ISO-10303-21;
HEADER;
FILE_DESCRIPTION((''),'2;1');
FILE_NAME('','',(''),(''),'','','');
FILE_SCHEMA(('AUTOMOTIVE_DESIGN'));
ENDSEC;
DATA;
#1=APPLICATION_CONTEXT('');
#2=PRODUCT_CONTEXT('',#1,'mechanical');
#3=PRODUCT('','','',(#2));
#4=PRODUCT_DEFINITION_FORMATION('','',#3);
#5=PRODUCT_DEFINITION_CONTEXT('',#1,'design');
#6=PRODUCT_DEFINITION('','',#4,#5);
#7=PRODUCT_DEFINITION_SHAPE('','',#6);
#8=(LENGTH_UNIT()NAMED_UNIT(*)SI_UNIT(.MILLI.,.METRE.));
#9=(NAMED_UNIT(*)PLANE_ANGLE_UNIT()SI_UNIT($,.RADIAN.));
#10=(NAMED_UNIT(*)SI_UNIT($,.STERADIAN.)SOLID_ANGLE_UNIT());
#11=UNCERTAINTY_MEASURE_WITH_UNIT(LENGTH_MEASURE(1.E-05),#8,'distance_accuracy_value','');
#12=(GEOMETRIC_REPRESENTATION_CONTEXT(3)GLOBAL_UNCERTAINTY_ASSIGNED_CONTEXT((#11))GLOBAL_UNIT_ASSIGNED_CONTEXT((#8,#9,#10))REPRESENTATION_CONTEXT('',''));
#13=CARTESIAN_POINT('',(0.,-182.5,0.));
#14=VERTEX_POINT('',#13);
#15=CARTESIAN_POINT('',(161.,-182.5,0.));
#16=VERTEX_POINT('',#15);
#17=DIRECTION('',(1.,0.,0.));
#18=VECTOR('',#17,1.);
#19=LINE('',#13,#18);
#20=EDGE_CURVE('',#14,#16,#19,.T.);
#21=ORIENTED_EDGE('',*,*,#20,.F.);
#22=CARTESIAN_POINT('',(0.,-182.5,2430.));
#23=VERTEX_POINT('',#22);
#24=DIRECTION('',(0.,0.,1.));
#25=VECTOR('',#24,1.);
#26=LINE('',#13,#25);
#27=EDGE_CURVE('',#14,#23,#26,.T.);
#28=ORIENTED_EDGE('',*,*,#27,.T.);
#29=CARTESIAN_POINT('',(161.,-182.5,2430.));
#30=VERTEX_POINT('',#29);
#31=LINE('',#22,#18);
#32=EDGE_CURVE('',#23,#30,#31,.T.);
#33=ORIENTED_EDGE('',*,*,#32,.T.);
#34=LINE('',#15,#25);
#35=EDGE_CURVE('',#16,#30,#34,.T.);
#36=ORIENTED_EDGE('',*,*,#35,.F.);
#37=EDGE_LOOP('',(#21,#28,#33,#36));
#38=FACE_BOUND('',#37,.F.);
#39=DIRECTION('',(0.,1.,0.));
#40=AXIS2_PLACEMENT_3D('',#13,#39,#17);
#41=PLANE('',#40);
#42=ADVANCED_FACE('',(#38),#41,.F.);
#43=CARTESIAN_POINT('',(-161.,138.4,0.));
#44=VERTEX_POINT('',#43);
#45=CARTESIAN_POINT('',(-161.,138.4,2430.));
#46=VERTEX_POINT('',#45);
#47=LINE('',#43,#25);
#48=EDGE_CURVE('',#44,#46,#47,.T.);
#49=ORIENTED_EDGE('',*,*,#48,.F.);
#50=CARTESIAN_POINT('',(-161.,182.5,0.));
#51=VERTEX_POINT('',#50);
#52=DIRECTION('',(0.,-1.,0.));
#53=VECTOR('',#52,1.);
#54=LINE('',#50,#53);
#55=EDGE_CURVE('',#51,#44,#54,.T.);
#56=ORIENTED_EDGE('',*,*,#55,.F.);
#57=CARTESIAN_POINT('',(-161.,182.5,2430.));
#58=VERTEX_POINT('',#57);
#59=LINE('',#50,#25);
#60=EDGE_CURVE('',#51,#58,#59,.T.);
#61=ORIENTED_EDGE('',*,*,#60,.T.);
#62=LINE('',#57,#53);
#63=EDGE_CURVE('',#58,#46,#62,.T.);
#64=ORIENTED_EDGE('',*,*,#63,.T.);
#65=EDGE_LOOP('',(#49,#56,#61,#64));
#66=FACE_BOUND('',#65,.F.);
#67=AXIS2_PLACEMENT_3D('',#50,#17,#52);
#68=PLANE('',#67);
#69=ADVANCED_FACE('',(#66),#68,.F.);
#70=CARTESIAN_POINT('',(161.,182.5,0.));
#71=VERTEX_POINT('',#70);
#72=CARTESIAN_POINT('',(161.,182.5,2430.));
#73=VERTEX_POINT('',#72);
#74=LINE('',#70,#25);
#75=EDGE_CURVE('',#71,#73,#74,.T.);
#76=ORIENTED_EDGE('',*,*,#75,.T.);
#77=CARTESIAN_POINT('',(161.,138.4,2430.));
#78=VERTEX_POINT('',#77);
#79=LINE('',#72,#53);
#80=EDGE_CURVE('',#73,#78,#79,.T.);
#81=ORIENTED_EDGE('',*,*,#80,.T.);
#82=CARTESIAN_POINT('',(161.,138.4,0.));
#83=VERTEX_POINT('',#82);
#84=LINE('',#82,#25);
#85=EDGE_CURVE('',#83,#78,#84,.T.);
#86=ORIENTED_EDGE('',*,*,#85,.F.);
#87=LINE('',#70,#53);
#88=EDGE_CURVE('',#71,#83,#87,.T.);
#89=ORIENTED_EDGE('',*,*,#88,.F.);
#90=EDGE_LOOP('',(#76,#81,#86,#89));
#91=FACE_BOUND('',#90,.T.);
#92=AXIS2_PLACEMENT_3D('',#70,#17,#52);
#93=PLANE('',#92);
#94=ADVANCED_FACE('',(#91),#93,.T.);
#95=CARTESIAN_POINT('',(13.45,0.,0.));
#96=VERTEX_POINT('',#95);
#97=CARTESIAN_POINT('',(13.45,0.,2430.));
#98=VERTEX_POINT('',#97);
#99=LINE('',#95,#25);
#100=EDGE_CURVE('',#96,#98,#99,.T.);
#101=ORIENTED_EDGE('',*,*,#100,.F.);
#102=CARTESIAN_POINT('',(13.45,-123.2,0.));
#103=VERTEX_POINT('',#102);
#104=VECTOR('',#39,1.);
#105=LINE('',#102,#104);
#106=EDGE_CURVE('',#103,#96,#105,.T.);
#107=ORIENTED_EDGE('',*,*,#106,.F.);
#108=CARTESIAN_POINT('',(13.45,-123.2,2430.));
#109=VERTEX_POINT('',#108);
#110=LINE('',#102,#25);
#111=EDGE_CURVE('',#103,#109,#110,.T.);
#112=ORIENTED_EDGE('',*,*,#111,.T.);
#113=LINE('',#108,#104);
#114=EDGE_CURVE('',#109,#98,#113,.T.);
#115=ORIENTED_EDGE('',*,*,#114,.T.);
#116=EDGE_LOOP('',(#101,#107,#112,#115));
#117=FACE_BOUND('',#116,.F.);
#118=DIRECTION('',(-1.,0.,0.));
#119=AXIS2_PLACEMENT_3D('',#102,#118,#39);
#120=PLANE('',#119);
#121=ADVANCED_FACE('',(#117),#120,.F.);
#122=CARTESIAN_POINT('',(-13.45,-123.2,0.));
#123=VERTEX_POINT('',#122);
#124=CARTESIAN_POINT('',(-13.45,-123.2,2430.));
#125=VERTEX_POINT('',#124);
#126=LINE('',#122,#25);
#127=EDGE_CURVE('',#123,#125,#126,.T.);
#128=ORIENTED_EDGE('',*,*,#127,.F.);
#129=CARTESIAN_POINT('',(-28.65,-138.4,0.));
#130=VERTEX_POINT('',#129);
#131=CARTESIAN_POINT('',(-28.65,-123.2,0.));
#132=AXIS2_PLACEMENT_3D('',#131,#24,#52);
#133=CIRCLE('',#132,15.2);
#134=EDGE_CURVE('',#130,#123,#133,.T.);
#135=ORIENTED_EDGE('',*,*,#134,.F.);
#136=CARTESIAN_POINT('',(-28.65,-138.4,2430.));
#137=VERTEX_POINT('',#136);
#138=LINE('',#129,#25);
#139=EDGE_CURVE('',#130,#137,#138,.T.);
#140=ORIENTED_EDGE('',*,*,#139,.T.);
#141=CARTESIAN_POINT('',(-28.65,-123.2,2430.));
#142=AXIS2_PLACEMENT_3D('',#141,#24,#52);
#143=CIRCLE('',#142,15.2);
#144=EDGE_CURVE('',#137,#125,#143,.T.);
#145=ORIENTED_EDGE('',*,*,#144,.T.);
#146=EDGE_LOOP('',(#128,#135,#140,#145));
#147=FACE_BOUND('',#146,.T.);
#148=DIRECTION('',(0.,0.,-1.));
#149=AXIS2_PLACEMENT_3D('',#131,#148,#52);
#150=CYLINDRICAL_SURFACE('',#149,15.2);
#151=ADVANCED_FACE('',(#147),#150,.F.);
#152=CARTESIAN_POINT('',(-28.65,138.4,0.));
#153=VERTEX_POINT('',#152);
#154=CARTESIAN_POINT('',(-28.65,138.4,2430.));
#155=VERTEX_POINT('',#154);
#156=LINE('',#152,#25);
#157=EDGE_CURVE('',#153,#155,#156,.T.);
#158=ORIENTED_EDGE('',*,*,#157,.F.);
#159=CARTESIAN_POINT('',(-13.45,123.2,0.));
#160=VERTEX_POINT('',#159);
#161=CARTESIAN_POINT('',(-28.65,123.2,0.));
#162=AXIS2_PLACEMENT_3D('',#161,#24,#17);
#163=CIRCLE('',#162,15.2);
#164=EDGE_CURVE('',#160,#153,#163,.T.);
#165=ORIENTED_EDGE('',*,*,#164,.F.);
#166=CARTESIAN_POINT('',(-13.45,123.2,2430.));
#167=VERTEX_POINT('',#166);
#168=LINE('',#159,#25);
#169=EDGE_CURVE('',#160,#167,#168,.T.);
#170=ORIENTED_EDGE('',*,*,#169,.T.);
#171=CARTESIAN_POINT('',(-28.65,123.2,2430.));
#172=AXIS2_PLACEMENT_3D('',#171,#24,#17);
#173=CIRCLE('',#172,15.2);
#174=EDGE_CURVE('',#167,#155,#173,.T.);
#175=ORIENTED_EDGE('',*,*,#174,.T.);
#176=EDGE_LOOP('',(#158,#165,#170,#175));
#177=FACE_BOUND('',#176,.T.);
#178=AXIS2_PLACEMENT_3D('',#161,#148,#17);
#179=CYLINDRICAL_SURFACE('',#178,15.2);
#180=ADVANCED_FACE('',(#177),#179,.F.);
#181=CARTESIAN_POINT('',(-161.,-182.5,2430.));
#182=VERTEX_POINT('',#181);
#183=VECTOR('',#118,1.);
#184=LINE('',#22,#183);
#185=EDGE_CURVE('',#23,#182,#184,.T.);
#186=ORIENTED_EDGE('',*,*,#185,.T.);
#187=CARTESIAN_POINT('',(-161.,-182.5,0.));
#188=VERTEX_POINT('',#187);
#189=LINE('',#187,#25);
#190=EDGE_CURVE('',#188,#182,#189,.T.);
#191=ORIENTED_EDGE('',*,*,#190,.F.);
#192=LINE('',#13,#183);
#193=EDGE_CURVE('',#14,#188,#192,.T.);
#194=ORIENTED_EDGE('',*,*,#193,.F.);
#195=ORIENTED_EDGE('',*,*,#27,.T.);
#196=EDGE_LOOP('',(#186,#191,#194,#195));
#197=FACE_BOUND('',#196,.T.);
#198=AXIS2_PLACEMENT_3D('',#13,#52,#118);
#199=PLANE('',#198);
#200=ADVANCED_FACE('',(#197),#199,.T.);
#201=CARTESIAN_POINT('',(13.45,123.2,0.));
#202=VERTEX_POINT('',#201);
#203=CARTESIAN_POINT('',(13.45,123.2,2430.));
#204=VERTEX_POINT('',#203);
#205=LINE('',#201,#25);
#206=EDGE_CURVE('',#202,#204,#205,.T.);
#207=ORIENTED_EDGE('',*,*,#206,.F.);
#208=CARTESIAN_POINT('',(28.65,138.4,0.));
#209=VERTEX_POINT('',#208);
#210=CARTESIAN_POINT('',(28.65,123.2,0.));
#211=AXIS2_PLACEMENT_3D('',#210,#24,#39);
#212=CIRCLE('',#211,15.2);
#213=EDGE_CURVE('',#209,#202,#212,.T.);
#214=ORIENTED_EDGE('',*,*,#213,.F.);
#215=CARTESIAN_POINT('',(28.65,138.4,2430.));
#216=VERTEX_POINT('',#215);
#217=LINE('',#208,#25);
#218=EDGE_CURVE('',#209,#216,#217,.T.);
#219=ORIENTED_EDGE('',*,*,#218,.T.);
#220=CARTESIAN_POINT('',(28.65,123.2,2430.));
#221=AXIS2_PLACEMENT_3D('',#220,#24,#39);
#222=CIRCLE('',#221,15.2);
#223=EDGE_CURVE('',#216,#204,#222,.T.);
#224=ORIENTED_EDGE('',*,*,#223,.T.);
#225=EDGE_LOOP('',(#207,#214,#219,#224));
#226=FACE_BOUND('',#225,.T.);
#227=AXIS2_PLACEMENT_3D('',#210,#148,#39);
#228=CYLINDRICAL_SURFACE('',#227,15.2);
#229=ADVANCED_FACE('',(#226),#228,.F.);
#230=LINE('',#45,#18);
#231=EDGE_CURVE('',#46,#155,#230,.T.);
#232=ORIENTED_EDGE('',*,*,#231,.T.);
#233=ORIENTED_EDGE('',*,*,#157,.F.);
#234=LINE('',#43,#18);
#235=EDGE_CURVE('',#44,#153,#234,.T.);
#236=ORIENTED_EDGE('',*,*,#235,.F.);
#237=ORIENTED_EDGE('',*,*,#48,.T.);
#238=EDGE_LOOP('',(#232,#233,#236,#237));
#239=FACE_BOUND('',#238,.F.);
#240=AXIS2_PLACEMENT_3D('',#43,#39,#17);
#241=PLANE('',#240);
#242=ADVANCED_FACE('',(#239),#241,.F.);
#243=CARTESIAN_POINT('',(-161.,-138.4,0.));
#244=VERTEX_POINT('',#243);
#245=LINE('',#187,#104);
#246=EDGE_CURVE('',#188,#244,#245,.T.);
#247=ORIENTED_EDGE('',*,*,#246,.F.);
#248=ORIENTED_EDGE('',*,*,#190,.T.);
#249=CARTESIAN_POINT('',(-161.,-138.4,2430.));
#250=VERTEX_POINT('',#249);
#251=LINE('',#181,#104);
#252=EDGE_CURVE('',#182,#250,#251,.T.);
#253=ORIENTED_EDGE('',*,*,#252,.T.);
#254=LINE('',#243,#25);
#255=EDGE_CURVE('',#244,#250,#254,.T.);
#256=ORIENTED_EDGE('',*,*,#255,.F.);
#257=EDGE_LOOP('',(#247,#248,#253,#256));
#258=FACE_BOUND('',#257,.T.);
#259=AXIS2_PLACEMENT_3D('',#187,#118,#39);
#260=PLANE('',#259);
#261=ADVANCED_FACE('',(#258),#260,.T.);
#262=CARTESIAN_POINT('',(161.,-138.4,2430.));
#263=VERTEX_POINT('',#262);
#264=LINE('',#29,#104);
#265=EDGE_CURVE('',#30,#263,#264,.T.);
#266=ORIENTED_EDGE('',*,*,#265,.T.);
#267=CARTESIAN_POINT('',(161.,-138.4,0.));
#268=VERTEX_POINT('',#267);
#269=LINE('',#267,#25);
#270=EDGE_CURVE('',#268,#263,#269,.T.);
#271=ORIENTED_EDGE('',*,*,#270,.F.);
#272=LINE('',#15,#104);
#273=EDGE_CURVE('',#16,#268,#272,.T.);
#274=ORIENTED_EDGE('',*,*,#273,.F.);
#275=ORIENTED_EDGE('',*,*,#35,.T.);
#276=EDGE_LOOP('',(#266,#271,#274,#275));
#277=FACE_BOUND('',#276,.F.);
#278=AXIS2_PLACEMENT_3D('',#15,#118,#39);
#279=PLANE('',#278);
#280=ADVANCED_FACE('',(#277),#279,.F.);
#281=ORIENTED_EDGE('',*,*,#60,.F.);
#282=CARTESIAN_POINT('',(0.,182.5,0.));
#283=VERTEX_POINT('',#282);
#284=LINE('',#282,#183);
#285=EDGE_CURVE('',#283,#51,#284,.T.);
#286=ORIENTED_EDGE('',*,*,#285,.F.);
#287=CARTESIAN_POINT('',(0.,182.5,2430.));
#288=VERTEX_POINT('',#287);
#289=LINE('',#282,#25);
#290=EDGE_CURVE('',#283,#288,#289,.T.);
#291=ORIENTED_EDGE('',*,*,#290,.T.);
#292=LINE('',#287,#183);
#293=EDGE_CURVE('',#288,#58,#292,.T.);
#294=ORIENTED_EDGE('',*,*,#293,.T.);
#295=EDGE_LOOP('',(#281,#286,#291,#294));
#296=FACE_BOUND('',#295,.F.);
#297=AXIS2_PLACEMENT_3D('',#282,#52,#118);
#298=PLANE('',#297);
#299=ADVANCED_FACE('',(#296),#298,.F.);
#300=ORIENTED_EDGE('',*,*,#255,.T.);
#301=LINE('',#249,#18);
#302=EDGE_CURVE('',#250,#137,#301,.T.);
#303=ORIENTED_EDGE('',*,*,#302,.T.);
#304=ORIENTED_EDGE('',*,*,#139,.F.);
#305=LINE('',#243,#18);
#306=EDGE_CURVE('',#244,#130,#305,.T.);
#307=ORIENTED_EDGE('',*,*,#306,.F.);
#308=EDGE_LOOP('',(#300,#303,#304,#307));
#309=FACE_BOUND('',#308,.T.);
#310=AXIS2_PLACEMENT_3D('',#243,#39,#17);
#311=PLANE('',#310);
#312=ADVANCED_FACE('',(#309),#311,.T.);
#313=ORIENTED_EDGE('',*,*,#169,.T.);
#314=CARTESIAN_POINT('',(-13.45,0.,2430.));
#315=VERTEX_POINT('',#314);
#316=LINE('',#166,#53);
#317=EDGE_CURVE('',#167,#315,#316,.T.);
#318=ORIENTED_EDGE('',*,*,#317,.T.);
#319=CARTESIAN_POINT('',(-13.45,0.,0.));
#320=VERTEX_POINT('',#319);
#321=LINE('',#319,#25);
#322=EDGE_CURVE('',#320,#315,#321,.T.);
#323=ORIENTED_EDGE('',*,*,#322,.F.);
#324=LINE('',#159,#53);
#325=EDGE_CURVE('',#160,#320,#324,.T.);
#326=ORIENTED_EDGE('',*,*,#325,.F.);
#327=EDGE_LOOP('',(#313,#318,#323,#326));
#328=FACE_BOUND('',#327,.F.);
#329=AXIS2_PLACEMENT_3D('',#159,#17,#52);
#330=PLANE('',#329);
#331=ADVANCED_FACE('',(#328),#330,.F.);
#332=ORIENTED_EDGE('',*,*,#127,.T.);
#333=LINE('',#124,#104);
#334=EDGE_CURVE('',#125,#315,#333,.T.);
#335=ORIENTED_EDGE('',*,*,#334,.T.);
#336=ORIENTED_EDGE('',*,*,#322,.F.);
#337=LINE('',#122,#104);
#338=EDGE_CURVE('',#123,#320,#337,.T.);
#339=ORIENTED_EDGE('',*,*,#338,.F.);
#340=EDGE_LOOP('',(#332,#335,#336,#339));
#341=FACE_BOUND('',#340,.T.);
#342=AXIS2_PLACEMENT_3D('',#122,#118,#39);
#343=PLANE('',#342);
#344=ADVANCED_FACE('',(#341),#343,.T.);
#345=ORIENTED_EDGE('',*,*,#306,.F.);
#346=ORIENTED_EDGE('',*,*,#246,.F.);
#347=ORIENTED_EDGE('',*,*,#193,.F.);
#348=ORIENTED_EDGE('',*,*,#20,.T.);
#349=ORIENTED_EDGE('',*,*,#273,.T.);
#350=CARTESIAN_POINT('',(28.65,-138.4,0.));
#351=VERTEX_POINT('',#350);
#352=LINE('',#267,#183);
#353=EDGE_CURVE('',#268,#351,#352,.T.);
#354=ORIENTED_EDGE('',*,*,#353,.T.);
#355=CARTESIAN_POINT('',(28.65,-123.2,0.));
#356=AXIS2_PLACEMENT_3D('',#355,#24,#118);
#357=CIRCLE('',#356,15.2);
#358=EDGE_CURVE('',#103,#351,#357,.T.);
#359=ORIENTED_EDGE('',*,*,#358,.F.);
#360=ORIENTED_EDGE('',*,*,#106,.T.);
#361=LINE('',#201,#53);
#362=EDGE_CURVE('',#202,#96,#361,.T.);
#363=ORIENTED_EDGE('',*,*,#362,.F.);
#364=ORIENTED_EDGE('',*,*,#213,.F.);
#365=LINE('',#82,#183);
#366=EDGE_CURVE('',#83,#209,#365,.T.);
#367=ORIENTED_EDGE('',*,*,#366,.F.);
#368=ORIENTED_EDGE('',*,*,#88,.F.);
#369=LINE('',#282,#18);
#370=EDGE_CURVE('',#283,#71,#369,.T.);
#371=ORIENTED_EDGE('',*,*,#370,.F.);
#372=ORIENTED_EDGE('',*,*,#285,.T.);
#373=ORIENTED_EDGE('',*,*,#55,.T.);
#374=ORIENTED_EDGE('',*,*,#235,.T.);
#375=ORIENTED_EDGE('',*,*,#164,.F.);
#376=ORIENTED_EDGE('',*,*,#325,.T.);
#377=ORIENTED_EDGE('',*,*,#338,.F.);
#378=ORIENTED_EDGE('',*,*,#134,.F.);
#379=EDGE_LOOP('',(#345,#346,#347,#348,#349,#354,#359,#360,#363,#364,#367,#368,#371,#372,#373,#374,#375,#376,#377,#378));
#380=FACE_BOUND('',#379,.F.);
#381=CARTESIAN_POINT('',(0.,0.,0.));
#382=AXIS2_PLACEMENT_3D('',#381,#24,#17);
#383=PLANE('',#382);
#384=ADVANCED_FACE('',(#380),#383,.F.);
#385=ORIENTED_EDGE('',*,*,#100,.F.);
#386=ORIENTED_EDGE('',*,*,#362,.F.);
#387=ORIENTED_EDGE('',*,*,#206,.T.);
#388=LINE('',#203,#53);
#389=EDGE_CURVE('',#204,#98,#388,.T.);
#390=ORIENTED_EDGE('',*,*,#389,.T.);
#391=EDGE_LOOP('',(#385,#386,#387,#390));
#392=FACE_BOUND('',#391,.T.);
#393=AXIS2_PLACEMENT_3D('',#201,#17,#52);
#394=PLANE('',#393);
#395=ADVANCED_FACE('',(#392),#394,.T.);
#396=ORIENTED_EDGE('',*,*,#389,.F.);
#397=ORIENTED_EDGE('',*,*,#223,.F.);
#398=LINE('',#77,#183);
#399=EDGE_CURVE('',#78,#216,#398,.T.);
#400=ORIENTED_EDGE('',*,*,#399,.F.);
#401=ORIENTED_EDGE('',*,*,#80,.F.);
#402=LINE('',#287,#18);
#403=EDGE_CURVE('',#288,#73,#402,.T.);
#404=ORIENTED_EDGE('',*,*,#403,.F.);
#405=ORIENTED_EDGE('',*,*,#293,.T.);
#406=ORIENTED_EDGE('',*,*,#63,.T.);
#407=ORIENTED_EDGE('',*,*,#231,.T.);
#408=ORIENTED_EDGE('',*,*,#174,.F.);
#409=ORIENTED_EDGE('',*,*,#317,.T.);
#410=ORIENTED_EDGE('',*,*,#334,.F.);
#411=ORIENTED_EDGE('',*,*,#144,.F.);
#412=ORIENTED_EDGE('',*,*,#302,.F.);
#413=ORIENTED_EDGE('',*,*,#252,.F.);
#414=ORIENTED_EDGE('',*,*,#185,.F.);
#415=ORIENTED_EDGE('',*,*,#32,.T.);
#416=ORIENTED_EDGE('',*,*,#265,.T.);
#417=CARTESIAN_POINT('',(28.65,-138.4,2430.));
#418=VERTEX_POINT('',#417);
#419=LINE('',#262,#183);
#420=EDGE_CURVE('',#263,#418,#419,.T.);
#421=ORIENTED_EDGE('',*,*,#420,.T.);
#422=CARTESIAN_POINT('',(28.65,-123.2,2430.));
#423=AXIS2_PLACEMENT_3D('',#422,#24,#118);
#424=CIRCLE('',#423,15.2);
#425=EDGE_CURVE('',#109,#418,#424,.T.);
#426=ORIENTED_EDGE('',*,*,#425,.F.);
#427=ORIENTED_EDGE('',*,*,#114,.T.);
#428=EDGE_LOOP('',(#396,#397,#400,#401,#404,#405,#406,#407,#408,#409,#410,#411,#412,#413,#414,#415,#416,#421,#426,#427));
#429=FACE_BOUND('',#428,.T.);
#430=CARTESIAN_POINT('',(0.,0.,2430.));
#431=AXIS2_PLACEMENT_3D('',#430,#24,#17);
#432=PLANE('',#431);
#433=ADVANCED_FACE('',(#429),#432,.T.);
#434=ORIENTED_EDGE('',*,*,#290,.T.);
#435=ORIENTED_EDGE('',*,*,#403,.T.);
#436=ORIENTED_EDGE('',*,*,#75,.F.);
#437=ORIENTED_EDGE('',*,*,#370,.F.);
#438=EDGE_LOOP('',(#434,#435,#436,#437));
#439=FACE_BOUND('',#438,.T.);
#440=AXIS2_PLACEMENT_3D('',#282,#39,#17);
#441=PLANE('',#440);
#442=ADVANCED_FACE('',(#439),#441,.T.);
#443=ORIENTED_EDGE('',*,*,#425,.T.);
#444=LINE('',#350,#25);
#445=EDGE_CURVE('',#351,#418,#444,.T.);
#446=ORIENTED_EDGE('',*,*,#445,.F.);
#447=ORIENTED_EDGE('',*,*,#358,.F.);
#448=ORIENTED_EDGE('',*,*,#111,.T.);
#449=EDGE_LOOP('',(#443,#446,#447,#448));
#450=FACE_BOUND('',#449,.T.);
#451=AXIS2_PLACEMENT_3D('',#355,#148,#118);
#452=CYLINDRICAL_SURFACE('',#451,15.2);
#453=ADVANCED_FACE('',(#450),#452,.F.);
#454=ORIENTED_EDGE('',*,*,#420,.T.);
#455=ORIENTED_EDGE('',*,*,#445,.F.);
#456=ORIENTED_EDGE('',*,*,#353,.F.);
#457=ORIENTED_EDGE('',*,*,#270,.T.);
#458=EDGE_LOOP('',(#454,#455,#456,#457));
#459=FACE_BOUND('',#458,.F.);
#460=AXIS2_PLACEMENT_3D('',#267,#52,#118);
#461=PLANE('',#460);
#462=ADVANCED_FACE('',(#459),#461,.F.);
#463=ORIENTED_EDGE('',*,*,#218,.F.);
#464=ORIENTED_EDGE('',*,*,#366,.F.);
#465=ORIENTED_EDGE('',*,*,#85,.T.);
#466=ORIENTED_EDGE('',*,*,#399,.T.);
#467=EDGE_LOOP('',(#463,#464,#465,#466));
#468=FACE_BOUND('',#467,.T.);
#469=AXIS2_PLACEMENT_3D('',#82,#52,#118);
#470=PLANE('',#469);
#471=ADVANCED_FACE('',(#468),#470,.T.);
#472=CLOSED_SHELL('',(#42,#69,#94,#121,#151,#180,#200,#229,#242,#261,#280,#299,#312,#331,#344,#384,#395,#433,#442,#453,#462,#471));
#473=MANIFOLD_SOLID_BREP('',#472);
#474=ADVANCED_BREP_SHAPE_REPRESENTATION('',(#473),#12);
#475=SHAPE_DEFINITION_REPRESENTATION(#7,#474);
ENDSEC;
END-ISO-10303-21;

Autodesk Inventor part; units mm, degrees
ref_plane "YZ Plane" through (0, 0, 0) normal (1, 0, 0) x (0, 1, 0)
ref_plane "Start plane" through (0, 0, 0) normal (0, 0, 1) x (1, 0, 0)
ref_plane "End plane" through (0, 0, 2430) normal (0, 0, 1) x (1, 0, 0)
sketch "Sketch" plane through (0, 0, 0) normal (0, 0, 1) x (1, 0, 0)
  line L0 (-161, -182.5) -> (-161, -138.4)
  line L1 (-161, -138.4) -> (-28.65, -138.4)
  line L2 (-13.45, -123.2) -> (-13.45, 0)
  line L3 (-13.45, 0) -> (0, 0) construction
  line L4 (0, 0) -> (0, -182.5) construction
  line L5 (0, -182.5) -> (-161, -182.5)
  line L6 (-60, 0) -> (80, 0) construction
  line L7 (0, -60) -> (0, 80) construction
  line L8 (161, -182.5) -> (161, -138.4)
  line L9 (161, -138.4) -> (28.65, -138.4)
  line L10 (13.45, -123.2) -> (13.45, 0)
  line L11 (13.45, 0) -> (0, 0) construction
  line L12 (0, -182.5) -> (161, -182.5)
  line L13 (-161, 182.5) -> (-161, 138.4)
  line L14 (-161, 138.4) -> (-28.65, 138.4)
  line L15 (-13.45, 123.2) -> (-13.45, 0)
  line L16 (0, 182.5) -> (-161, 182.5)
  line L17 (161, 182.5) -> (161, 138.4)
  line L18 (161, 138.4) -> (28.65, 138.4)
  line L19 (0, 182.5) -> (161, 182.5)
  line L20 (13.45, 123.2) -> (13.45, 0)
  arc A0 (-13.45, 123.2) -> (-28.65, 138.4) centre (-28.65, 123.2) ccw
  arc A1 (28.65, 138.4) -> (13.45, 123.2) centre (28.65, 123.2) ccw
  arc A2 (13.45, -123.2) -> (28.65, -138.4) centre (28.65, -123.2) ccw
  arc A3 (-28.65, -138.4) -> (-13.45, -123.2) centre (-28.65, -123.2) ccw
  line L21 (0, 108) -> (0, -88) construction
  line L22 (-88, 0) -> (108, 0) construction
  point P0 (-13.45, -138.4)
  point P1 (13.45, -138.4)
  point P2 (-13.45, 138.4)
  point P3 (13.45, 138.4)
  dimension "d1" = 182.5
  dimension "d2" = 44.1
  dimension "d3" = 161
  dimension "d4" = 13.45
  dimension "d10" = 15.2
extrude "Body" add sketch "Sketch" along normal up to surface (2430 mm away) from surface at 0
sketch "Sketch4" plane through (0, 0, 0) normal (0, 0, 1) x (1, 0, 0)
  line L0 (0, 0) -> (10, 0)
ref_plane "Work Plane3" through (0, 0, 0) normal (0, -1, 0) x (1, 0, 0)
sketch "Sketch5" plane through (0, 0, 0) normal (0, -1, 0) x (1, 0, 0)
  line L0 (-2, 0) -> (12, 0) projected
  line L1 (-2, 2430) -> (12, 2430) projected
  dimension "d14" = 2430
equation "\"d1\" = 0.5 * G_H"
equation "\"d2\" = G_T1"
equation "\"d3\" = 0.5 * G_W"
equation "\"d4\" = 0.5 * G_T"
equation "\"d10\" = G_IR"
equation "\"d5\" = G_L"
equation "\"G_W\" = 322"
equation "\"G_H\" = 365"
equation "\"G_T\" = 26.9"
equation "\"G_T1\" = 44.1"
equation "\"G_IR\" = 15.2"
equation "\"G_L\" = d14"
equation "\"G_OFFSET_START\" = 0"
equation "\"G_OFFSET_END\" = 0"
properties part number "AS 3679 - 310 UC - 283 - 2430" material "Steel, Mild"
